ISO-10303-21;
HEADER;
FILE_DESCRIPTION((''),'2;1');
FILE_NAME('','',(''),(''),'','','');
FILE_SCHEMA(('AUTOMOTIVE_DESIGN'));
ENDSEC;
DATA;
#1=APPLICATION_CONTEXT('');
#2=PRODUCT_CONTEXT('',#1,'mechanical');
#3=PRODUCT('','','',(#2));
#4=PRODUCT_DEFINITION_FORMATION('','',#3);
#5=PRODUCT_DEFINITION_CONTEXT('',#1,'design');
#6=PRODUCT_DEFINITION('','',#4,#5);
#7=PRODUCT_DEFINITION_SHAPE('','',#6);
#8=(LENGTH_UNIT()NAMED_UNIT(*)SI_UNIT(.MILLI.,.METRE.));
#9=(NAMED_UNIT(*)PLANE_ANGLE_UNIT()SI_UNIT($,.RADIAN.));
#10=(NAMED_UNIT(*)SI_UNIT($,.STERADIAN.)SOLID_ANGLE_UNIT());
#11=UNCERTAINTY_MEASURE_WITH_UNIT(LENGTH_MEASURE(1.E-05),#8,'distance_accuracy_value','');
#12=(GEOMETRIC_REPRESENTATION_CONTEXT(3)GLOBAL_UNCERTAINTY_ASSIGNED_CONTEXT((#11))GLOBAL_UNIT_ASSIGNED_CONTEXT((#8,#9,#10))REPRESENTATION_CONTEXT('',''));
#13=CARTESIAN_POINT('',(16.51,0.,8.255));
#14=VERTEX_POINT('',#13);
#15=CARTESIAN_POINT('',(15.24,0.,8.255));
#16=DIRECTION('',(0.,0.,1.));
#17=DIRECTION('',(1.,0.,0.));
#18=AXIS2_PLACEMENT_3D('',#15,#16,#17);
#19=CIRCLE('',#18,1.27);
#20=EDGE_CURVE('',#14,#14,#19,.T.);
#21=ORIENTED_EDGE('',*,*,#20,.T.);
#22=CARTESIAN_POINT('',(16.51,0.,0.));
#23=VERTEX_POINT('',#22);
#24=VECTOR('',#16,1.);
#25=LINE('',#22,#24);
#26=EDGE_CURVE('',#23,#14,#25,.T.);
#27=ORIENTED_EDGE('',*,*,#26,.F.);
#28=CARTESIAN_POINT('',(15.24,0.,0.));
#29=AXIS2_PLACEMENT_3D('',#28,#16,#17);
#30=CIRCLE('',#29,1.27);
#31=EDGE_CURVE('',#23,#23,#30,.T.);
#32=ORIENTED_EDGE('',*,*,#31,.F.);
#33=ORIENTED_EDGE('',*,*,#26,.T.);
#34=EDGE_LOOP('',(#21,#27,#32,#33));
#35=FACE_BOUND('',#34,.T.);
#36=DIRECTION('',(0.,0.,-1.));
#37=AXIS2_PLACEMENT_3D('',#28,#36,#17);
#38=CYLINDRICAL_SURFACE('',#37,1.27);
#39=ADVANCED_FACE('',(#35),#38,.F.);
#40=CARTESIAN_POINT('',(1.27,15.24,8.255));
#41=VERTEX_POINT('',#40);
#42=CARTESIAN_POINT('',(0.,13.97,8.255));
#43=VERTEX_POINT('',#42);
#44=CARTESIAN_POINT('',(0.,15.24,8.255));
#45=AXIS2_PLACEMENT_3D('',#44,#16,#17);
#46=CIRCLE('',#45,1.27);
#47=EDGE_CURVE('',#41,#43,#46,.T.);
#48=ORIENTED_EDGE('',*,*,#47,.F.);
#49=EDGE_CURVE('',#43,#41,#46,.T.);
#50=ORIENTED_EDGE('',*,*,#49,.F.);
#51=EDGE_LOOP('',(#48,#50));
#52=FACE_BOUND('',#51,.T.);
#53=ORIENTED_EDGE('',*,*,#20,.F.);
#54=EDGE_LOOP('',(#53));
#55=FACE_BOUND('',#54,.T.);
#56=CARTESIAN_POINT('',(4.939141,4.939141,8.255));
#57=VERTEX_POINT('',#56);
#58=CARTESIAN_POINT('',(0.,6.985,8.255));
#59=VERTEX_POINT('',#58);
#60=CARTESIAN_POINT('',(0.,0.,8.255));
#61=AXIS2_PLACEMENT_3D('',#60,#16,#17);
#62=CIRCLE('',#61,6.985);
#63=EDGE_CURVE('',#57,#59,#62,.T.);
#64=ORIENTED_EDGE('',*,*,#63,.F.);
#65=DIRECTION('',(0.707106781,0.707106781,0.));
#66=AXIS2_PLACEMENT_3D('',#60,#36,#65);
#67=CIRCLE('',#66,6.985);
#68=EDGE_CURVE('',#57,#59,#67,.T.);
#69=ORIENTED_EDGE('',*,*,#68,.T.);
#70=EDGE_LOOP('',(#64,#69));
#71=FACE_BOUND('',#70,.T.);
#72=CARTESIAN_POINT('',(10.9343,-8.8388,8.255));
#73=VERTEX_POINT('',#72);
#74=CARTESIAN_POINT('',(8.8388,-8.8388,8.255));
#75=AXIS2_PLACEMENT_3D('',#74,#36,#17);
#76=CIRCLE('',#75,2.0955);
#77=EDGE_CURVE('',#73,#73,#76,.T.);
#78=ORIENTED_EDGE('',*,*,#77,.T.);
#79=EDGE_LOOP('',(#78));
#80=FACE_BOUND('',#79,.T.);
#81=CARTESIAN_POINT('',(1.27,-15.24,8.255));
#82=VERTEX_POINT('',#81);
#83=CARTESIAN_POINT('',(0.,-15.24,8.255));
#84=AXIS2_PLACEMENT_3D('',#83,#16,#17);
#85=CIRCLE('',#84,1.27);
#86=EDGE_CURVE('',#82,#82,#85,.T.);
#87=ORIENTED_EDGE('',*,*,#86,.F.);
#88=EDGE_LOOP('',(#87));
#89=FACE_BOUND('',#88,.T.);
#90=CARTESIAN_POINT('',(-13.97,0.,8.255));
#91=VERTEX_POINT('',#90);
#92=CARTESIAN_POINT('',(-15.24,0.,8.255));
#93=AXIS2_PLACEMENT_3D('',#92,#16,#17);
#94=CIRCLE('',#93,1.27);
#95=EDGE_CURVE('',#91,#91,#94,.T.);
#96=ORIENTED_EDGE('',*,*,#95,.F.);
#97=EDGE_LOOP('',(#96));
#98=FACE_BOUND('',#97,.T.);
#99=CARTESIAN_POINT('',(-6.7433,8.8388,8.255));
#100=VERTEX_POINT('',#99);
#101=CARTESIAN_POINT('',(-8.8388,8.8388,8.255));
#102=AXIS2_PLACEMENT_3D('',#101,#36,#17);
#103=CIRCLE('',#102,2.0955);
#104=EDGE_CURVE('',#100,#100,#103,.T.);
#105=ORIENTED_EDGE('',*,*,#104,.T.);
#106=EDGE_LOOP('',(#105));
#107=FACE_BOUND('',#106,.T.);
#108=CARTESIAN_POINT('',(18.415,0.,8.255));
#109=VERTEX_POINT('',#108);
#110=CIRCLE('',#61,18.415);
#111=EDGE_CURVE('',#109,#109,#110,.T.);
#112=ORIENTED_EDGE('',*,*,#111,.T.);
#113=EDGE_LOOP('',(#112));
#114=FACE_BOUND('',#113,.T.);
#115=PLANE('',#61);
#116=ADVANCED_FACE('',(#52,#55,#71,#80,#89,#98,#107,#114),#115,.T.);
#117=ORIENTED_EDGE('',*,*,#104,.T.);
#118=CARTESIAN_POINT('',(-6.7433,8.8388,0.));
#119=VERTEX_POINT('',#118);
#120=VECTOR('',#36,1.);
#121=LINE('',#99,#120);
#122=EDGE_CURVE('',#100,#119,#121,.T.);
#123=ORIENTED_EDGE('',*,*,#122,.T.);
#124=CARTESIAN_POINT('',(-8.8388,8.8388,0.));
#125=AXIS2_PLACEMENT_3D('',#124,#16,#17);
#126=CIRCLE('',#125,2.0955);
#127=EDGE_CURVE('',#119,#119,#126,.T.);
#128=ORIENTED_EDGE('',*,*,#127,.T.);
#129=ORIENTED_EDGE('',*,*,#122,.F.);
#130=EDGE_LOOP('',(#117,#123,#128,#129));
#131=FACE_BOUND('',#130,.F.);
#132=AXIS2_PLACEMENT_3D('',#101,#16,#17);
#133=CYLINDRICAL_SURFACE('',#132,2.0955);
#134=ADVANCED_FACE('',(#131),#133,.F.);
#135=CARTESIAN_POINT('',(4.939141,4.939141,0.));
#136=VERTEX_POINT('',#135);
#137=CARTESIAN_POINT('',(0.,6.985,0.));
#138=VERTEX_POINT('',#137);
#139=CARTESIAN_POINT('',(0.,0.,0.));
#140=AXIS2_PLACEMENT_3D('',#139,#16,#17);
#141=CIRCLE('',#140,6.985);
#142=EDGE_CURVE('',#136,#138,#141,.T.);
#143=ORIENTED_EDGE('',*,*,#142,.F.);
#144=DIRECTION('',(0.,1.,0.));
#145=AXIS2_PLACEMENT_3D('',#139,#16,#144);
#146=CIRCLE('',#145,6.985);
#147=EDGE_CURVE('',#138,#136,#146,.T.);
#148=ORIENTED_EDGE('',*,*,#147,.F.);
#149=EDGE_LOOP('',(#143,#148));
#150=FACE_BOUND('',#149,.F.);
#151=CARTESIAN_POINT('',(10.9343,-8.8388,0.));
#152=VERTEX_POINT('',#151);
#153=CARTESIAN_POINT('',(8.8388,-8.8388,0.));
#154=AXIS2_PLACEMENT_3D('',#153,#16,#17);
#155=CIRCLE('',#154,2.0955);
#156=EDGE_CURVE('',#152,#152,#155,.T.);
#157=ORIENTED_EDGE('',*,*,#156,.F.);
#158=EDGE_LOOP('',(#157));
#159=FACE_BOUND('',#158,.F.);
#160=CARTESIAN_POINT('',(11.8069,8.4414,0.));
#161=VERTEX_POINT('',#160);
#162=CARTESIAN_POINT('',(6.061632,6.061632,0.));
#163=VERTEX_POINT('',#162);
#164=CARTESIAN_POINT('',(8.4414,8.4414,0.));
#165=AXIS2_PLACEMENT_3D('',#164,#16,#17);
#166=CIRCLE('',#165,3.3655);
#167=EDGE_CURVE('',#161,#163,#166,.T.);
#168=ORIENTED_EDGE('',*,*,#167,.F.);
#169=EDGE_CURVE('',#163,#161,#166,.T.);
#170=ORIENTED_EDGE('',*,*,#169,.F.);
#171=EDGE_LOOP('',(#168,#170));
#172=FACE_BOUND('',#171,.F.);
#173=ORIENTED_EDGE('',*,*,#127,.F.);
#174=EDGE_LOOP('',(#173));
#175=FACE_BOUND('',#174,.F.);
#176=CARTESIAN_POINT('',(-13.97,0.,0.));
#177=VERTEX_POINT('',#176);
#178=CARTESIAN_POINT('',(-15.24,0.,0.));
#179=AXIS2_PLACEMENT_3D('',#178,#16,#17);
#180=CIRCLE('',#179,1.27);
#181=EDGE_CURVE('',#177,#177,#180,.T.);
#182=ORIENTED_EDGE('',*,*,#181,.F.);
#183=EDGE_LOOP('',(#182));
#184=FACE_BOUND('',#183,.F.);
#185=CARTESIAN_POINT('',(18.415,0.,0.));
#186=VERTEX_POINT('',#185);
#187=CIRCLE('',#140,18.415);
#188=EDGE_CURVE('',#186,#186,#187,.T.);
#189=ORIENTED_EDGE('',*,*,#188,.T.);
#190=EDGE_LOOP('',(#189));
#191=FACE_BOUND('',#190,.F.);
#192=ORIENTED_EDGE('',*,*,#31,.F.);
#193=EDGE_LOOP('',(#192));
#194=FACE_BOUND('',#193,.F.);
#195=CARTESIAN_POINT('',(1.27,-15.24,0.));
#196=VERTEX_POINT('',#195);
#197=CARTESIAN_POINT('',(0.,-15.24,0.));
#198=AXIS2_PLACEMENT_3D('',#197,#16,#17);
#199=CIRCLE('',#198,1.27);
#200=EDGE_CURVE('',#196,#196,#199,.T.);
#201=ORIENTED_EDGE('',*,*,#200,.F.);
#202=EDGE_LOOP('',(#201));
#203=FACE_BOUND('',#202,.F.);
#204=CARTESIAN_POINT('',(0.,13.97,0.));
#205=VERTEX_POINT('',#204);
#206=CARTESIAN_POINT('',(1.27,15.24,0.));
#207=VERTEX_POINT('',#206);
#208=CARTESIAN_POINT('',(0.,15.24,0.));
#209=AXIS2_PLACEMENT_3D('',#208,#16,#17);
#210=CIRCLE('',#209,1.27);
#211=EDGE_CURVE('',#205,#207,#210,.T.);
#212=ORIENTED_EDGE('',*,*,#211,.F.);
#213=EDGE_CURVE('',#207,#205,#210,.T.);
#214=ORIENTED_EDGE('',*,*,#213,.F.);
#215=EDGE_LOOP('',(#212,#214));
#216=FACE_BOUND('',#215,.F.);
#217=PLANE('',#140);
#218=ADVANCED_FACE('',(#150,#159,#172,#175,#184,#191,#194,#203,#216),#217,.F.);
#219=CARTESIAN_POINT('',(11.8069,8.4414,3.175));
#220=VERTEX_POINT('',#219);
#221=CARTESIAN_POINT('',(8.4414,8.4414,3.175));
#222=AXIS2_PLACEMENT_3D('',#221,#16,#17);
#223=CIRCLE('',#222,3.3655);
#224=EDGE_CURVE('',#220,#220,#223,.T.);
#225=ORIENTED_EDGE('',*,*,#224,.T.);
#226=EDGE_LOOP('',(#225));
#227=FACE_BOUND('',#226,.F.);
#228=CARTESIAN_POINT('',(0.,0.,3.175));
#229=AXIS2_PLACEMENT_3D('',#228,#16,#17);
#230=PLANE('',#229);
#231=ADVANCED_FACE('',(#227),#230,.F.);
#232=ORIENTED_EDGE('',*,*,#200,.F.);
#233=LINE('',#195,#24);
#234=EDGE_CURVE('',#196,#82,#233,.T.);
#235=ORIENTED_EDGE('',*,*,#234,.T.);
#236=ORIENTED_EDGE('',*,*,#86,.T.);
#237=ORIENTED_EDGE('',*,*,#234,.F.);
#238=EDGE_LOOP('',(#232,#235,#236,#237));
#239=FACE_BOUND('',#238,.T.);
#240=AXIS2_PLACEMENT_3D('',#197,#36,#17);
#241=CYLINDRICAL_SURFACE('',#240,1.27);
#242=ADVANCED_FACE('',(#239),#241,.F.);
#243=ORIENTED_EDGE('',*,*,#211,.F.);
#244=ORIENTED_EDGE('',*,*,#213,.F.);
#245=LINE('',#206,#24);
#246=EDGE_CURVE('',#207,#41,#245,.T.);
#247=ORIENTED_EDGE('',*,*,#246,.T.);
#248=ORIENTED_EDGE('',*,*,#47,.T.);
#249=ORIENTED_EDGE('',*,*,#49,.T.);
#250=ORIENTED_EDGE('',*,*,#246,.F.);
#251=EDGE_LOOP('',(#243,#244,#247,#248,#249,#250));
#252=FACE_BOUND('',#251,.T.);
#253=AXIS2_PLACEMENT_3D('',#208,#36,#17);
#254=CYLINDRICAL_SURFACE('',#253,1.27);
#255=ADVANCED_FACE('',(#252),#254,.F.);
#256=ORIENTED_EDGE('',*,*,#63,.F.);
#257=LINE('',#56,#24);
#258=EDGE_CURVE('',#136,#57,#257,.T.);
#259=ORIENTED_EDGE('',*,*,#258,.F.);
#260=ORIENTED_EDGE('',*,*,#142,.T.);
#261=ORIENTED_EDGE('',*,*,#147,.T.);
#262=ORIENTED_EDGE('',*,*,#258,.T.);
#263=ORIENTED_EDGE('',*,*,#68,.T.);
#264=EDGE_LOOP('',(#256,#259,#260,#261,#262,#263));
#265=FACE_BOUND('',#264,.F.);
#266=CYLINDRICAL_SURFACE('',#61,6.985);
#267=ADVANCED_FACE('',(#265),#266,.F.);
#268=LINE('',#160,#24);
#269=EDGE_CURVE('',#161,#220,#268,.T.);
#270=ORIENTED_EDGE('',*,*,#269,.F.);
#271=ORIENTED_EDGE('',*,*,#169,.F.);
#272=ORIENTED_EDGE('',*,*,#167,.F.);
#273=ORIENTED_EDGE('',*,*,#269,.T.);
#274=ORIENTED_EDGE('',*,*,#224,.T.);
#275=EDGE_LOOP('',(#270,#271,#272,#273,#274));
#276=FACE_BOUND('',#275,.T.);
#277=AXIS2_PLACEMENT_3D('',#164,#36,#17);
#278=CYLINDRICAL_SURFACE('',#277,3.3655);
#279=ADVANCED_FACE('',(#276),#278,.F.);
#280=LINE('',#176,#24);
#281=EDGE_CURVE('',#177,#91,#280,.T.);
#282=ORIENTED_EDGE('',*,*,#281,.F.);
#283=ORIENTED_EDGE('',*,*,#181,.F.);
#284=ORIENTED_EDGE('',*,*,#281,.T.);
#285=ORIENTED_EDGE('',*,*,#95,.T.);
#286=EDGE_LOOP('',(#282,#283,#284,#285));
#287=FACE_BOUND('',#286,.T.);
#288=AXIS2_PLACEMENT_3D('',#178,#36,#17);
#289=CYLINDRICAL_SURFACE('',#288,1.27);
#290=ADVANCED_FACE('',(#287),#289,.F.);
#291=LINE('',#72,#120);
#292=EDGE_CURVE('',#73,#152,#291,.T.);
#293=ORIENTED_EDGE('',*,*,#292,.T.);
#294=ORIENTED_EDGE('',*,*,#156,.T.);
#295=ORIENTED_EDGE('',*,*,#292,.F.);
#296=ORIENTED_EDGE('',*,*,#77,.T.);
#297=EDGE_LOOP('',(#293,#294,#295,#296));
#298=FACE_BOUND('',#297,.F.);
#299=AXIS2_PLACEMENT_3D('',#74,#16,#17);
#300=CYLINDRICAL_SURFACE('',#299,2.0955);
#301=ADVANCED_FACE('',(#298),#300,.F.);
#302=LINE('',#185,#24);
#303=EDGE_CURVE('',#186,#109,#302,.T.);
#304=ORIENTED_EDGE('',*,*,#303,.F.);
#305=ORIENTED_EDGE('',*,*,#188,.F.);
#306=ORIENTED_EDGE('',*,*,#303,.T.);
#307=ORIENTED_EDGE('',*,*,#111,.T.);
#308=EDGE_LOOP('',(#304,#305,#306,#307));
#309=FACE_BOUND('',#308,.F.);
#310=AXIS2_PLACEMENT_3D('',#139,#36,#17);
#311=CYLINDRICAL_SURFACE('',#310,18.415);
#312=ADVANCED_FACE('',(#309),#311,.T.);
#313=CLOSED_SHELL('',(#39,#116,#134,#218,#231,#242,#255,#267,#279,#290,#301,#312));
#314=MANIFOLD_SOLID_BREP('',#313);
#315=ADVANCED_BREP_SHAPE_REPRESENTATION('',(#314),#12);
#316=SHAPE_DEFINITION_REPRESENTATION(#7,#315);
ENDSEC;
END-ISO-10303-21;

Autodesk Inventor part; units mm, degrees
ref_plane "YZ Plane" through (0, 0, 0) normal (1, 0, 0) x (0, 1, 0)
ref_plane "XZ Plane" through (0, 0, 0) normal (0, 1, 0) x (-1, 0, 0)
ref_plane "XY Plane" through (0, 0, 0) normal (0, 0, 1) x (1, 0, 0)
sketch "Sketch7" plane through (0, 0, 0) normal (0, 0, 1) x (1, 0, 0)
  line L0 (0, 0) -> (0, 15.24)
  circle A0 centre (0, 15.24) radius 1.27
  circle A1 centre (-15.24, 0) radius 1.27
  circle A2 centre (0, -15.24) radius 1.27
  circle A3 centre (15.24, 0) radius 1.27
  circle A4 centre (0, 0) radius 18.415
  line L1 (0, 0) -> (8.4414, 8.4414)
  line L2 (0, 0) -> (11.938, 0) construction
  circle A5 centre (8.4414, 8.4414) radius 3.3655
  dimension "d82" = 15.24
  dimension "d83" = 2.54
  dimension "d86" = 360
  dimension "d88" = 36.83
  dimension "d89" = 11.938
  dimension "d90" = 45
  dimension "d91" = 6.731
extrude "Extrusion8" add sketch "Sketch7" along normal blind 8.255
sketch "Sketch8" plane through (0, 0, 8.255) normal (0, 0, 1) x (1, 0, 0)
  circle A0 centre (0, 0) radius 6.985
  dimension "d94" = 13.97
extrude "Extrusion9" cut sketch "Sketch8" against normal through all
sketch "Sketch10" plane through (0, 0, 8.255) normal (0, 0, 1) x (1, 0, 0)
  circle A0 centre (8.4414, 8.4414) radius 3.3655 projected
  point P0 (0, 0)
extrude "Extrusion10" add sketch "Sketch10" against normal blind 5.08
sketch "Sketch11" plane through (0, 0, 8.255) normal (0, 0, 1) x (1, 0, 0)
  line L0 (0, 0) -> (-8.8388, 8.8388)
  line L1 (0, 0) -> (12.5, 0) construction
  line L2 (0, 0) -> (8.8388, -8.8388)
  circle A0 centre (-8.8388, 8.8388) radius 2.0955
  circle A1 centre (8.8388, -8.8388) radius 2.0955
  dimension "d99" = 12.5
  dimension "d100" = 135
  dimension "d101" = 12.5
  dimension "d102" = 4.191
  dimension "d103" = 4.191
extrude "Extrusion11" cut sketch "Sketch11" against normal through all
equation "\"d101\" = d99"
equation "\"d102\" = d103"
properties part number "idlerShaftBearingMount" material "ABS Plastic"
